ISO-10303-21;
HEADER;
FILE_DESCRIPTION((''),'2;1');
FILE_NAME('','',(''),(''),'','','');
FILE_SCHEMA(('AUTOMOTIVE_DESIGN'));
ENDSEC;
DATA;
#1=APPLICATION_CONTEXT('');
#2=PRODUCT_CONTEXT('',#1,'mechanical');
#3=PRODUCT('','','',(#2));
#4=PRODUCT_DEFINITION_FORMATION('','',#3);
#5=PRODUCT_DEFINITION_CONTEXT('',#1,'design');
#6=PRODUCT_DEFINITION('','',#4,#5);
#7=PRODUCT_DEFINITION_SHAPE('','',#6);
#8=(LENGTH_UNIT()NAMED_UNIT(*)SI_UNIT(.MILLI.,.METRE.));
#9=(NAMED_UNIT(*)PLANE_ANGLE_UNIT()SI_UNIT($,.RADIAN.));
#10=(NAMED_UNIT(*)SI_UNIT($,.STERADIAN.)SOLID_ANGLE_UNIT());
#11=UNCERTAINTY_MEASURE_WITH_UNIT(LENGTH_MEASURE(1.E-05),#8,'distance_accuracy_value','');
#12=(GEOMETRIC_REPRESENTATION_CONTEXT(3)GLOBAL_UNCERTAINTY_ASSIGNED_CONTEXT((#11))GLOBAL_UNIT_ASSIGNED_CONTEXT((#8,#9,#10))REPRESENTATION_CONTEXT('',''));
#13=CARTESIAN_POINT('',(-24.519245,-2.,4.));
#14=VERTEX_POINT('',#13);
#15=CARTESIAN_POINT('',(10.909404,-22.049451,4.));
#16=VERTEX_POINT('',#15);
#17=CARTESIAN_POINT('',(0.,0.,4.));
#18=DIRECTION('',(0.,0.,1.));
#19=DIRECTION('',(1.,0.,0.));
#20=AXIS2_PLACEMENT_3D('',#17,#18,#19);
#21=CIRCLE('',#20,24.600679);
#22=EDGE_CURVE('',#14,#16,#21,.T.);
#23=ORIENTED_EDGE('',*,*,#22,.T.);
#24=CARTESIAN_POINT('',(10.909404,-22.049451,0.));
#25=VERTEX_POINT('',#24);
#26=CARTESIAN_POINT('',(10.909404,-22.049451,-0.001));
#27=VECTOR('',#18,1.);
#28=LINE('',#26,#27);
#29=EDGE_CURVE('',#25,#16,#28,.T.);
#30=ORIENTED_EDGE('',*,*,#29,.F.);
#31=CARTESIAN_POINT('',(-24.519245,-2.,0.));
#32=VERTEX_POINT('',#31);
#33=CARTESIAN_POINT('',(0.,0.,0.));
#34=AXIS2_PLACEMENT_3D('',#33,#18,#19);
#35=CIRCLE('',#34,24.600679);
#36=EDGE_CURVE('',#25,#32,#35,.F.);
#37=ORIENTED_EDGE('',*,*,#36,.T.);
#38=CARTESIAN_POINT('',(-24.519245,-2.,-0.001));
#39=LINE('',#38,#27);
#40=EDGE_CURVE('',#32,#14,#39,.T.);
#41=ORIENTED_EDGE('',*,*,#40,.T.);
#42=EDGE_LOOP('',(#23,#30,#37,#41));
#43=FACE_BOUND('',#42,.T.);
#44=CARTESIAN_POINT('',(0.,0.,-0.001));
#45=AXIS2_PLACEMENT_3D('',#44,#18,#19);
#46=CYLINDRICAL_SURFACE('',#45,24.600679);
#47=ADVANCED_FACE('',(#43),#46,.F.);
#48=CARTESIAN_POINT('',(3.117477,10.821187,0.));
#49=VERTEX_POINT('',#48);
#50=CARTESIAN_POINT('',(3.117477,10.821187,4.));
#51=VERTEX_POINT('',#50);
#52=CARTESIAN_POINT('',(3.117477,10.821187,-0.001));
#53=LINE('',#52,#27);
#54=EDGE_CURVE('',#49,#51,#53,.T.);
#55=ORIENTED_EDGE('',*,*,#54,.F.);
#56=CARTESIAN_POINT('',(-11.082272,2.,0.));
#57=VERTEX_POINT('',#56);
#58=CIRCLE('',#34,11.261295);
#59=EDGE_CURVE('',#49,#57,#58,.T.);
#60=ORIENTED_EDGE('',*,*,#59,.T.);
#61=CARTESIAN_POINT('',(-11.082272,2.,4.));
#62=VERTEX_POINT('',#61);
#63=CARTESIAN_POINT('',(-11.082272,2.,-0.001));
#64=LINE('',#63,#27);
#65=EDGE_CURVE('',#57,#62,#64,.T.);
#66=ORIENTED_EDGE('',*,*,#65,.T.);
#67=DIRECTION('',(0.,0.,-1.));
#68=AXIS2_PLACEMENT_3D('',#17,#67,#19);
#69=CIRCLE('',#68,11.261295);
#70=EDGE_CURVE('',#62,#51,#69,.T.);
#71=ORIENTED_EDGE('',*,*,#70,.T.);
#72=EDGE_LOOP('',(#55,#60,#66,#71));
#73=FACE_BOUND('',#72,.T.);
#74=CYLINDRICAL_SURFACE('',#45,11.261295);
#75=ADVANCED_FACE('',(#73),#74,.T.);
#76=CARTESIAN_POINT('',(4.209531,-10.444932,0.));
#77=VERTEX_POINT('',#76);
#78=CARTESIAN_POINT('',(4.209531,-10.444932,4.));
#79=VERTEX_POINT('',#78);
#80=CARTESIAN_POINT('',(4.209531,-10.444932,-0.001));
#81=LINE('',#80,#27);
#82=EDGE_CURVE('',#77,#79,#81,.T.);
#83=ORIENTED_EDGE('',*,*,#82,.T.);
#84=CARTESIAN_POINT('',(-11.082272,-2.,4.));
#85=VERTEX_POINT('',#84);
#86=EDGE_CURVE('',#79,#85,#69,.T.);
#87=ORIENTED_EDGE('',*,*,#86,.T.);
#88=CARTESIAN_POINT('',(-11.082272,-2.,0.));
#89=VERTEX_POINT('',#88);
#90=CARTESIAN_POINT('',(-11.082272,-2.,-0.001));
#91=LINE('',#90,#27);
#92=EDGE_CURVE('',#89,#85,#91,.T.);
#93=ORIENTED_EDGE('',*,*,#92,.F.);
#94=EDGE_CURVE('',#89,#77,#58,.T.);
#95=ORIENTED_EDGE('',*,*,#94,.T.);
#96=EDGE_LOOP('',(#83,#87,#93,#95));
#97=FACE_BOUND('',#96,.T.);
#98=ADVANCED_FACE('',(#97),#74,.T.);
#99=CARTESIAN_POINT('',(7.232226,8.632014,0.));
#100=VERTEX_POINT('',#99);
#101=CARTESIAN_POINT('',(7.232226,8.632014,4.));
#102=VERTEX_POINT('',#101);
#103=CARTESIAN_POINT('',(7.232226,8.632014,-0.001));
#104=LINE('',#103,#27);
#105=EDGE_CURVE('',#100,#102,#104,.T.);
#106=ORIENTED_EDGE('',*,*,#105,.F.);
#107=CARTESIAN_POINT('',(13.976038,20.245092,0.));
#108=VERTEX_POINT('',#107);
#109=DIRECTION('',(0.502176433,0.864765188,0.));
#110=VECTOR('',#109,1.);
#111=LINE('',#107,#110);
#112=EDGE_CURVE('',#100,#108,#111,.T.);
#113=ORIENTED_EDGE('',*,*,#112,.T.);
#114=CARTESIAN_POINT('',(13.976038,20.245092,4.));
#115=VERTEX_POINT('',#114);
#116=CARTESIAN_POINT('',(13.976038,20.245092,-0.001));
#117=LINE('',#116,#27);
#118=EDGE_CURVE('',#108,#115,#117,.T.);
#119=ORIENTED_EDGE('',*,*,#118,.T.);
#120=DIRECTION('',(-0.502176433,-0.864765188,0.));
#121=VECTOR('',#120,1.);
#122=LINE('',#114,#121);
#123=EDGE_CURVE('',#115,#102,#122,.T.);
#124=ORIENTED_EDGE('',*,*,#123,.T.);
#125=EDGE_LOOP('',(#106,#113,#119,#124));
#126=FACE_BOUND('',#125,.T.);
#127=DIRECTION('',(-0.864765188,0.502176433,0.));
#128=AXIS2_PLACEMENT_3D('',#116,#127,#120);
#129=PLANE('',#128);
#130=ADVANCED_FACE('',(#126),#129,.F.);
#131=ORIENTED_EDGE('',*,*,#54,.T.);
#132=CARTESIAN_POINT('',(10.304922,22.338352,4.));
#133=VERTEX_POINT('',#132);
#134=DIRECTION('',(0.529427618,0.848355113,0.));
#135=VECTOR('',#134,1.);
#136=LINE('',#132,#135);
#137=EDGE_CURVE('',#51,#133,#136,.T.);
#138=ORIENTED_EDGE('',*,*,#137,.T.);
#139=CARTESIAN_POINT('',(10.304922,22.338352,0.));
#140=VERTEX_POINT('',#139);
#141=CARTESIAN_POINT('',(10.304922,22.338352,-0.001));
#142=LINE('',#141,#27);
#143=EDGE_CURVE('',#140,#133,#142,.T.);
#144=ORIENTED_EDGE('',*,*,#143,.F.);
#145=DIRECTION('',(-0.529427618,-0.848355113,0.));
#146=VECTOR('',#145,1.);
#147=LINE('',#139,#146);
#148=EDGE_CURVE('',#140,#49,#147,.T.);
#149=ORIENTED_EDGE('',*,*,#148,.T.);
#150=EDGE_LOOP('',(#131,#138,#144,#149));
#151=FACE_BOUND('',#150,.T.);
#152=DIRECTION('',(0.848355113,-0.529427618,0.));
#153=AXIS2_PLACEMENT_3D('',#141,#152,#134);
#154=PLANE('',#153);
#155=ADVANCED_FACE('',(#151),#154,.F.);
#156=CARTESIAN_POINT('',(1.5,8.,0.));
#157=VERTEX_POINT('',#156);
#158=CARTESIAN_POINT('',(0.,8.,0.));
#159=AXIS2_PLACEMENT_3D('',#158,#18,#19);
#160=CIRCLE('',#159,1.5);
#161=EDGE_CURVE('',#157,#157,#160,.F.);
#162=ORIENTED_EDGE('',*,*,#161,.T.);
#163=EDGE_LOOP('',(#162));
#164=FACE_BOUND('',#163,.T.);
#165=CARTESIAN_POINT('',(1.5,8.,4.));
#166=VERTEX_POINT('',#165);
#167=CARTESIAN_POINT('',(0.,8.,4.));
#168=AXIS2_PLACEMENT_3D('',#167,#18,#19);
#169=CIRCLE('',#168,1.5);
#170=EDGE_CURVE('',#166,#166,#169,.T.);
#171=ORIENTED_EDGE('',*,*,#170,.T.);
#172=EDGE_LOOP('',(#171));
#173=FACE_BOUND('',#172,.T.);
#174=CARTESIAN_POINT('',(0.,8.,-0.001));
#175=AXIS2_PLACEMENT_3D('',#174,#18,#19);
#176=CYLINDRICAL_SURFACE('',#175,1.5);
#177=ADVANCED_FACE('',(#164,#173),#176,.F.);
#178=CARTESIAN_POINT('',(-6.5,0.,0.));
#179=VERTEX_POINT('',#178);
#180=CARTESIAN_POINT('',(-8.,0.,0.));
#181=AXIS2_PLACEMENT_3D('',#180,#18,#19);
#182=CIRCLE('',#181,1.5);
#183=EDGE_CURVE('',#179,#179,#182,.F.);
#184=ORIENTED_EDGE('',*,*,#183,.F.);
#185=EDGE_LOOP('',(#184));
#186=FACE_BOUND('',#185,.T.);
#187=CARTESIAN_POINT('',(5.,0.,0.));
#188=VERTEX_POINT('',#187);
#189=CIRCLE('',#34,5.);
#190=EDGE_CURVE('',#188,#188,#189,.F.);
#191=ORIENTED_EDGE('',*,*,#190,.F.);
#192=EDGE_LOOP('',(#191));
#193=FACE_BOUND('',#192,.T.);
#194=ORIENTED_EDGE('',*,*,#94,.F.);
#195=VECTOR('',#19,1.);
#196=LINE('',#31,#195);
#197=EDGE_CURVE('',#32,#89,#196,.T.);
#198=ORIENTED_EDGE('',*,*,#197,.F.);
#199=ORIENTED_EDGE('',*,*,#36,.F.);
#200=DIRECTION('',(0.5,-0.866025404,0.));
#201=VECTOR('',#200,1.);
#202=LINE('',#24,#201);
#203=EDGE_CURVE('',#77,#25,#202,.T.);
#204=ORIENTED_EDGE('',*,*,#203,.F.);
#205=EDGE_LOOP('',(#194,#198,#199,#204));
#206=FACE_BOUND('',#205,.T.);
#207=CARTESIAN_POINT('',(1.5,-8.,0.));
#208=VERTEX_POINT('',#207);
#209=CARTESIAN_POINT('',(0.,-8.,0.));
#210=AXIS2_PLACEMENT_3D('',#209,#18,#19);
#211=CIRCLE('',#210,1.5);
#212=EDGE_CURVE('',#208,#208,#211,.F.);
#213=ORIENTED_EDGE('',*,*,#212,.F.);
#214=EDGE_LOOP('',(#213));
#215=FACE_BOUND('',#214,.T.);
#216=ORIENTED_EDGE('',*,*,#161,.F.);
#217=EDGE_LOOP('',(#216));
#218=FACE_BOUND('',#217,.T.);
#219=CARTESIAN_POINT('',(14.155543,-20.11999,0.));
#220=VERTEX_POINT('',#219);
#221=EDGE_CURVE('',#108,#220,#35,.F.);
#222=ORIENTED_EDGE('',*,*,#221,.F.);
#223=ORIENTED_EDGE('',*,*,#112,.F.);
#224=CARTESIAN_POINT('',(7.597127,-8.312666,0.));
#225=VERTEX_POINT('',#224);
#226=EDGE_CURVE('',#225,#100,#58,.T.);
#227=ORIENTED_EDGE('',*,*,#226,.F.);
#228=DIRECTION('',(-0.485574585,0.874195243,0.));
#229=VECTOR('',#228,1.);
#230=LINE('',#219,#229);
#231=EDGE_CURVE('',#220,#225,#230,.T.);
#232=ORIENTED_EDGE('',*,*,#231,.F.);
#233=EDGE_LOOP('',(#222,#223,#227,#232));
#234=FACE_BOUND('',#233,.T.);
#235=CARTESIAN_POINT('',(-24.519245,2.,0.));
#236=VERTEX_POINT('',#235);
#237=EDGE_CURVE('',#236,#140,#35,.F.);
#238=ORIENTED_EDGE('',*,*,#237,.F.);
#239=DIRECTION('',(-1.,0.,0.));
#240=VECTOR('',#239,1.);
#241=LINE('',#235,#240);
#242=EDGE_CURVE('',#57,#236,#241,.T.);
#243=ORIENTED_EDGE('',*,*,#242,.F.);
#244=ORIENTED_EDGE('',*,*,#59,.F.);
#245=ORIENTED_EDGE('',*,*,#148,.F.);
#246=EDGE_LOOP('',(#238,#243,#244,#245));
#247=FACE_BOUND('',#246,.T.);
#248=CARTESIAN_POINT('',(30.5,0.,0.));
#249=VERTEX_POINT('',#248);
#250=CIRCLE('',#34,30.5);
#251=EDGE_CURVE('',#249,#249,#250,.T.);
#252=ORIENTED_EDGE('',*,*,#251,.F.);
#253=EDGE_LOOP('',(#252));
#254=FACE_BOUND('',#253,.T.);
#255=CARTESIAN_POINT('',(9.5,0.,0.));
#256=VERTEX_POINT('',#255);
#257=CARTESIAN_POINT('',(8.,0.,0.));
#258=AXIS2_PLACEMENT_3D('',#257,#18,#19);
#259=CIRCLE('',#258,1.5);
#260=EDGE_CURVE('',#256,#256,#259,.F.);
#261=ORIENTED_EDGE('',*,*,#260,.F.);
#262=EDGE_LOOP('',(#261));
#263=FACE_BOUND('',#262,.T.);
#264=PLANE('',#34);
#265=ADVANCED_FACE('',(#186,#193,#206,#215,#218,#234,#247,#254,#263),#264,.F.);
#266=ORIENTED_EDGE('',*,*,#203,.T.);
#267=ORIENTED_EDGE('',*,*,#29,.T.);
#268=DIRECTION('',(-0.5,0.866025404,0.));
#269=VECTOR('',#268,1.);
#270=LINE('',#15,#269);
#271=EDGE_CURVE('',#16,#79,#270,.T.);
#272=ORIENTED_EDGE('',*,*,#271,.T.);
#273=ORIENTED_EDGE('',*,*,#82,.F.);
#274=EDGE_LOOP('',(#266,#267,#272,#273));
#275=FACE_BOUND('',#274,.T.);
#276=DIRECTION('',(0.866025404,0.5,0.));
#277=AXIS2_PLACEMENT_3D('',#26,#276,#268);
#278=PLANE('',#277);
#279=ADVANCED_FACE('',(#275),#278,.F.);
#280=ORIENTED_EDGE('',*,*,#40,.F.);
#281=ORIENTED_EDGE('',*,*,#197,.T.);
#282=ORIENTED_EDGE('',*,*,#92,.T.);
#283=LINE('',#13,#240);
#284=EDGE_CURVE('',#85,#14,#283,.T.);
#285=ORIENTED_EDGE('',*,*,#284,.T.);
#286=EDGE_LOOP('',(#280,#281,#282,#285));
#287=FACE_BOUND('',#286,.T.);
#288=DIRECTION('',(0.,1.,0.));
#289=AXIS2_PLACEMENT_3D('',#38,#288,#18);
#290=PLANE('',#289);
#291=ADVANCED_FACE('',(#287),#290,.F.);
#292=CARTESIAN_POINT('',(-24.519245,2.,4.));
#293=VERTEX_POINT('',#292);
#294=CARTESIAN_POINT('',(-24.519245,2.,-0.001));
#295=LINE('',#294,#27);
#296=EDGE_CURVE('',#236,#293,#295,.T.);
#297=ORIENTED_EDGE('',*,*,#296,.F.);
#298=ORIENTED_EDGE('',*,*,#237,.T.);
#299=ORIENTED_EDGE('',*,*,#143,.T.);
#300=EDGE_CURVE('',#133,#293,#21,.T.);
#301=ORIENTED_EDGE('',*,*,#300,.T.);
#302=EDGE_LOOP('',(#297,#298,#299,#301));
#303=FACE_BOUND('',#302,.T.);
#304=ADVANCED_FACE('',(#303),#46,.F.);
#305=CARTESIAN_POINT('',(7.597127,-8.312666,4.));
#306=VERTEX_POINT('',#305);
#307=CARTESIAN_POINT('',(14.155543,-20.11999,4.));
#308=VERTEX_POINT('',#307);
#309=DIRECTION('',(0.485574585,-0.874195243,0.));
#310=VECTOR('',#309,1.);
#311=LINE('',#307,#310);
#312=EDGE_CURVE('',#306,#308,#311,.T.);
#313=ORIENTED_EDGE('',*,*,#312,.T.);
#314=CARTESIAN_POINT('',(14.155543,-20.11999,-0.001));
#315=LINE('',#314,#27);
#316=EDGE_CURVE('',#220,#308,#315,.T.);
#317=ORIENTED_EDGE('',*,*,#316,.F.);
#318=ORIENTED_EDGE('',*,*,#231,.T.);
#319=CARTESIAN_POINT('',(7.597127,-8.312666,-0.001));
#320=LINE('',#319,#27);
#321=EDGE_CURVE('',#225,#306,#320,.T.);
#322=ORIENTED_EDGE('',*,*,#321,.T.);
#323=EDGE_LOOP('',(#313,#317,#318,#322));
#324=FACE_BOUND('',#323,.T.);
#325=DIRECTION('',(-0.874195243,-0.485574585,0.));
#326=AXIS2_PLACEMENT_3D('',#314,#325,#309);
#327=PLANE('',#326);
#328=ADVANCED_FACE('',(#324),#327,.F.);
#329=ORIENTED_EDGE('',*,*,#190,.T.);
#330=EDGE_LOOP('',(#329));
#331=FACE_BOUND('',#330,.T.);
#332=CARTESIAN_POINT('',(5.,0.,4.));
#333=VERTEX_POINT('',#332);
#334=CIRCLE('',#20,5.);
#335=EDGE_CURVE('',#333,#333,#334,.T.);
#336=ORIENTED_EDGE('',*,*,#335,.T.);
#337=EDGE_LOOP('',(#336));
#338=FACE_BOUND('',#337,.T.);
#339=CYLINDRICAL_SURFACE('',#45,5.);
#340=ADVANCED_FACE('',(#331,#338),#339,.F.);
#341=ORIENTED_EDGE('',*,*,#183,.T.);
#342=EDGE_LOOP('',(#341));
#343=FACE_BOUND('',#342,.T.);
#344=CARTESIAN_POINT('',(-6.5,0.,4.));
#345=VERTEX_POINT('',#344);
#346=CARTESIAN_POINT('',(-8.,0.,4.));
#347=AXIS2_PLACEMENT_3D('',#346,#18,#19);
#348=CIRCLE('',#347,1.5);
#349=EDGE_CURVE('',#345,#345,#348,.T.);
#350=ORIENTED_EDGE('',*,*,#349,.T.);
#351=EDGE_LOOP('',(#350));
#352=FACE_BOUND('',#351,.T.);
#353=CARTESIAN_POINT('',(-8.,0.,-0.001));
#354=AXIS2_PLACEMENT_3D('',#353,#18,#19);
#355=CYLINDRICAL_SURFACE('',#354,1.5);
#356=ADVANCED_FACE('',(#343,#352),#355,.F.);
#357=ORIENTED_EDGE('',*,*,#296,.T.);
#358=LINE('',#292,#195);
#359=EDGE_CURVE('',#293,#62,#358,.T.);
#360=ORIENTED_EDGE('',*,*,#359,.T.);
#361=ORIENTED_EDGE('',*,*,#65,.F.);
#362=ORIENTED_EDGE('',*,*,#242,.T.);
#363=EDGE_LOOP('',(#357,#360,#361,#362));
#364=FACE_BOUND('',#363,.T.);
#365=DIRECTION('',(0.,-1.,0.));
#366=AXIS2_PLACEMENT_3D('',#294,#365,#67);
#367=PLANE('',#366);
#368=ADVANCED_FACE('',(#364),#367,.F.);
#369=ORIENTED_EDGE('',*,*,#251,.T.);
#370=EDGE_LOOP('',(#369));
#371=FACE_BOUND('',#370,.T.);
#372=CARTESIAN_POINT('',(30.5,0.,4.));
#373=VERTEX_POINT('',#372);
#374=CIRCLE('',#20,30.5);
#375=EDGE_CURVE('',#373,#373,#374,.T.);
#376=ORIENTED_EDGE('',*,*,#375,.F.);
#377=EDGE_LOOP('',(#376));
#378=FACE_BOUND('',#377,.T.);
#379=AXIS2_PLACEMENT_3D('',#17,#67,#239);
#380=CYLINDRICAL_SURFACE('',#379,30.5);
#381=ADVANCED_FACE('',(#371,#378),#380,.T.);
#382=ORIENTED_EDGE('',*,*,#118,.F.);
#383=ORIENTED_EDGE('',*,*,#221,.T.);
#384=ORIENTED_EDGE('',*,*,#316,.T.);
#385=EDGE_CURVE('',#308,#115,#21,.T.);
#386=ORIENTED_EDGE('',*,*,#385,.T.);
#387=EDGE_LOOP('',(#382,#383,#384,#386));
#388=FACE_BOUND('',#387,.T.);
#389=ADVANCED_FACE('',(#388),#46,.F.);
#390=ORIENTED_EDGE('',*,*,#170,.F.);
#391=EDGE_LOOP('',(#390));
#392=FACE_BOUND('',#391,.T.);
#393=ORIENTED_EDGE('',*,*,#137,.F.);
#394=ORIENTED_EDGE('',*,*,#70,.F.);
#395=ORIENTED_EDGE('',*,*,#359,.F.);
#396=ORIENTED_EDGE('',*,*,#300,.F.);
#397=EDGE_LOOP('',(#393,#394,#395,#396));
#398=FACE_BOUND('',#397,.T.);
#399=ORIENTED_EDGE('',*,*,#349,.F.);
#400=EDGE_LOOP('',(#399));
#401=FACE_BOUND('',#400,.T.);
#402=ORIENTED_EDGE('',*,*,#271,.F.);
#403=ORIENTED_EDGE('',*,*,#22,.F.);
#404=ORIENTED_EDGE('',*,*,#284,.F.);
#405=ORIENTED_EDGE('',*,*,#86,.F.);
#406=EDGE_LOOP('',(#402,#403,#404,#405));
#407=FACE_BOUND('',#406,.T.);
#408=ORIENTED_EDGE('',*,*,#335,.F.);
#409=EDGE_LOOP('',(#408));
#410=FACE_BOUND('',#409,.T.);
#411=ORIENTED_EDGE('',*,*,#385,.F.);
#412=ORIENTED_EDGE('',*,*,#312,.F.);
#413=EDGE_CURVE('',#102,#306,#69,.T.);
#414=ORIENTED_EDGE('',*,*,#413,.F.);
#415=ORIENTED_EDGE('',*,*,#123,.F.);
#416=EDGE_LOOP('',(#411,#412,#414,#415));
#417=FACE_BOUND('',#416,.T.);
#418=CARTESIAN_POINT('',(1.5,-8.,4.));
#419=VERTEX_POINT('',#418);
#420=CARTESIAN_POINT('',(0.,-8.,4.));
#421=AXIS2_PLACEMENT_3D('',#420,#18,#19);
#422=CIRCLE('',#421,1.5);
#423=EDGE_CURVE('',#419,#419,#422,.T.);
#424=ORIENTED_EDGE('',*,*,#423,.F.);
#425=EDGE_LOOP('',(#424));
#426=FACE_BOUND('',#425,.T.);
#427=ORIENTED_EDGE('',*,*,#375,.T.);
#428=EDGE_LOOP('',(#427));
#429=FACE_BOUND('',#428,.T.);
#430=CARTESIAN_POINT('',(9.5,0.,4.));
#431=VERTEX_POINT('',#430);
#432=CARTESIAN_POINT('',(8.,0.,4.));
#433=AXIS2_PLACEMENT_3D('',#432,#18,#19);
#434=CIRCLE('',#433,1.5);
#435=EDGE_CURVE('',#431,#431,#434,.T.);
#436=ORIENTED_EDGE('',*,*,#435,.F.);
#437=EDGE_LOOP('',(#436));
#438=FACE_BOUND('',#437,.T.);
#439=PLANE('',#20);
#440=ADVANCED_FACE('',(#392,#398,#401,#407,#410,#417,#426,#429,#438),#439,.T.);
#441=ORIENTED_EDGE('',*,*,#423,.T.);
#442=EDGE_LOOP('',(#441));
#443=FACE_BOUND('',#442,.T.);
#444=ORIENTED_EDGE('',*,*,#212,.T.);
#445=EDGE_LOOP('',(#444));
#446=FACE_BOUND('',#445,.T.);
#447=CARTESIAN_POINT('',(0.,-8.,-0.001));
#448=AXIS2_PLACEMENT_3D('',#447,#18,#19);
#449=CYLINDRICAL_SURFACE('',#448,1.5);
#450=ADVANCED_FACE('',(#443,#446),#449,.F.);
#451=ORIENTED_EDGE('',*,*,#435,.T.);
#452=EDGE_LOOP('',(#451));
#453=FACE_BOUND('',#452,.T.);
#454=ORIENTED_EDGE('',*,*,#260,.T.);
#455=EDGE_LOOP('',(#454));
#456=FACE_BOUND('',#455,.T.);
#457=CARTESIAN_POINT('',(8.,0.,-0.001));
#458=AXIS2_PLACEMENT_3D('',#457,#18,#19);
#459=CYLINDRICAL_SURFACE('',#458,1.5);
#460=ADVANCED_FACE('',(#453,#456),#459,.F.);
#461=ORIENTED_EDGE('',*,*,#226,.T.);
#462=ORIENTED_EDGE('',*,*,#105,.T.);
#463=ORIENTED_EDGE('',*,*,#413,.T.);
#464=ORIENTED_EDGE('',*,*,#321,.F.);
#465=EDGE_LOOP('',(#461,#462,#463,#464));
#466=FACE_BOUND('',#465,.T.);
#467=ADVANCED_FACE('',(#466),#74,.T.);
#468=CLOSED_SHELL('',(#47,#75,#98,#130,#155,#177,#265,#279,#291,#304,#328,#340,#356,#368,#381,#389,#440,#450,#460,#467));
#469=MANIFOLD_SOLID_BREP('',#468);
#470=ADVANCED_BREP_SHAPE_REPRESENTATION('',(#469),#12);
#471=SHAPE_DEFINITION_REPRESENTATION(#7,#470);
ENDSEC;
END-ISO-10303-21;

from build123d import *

# Parameters (mm, degrees)
SKETCH_1_R          = 30.5
EXTRUDE_1_DEPTH     = 4
CUT_EXTRUDE_1_REACH = 6
SKETCH_2_R          = 5
SKETCH_2_R_2        = 1.5


with BuildPart() as part:
    # 草图1 → 凸台-拉伸1 (new body)
    with BuildSketch(Plane.XY):
        Circle(SKETCH_1_R)
    extrude(amount=EXTRUDE_1_DEPTH)

    # 草图2 → 切除-拉伸1 (cut, up to next)
    with BuildSketch(Plane.XY.offset(4), mode=Mode.PRIVATE) as cut_extrude_1_sk1:
        Circle(SKETCH_2_R)
    cut_extrude_1_tool1 = extrude(cut_extrude_1_sk1.sketch, amount=-CUT_EXTRUDE_1_REACH, mode=Mode.PRIVATE) & part.part
    add(cut_extrude_1_tool1.solids().sort_by_distance((0, 0, 4))[0], mode=Mode.SUBTRACT)
    # 草图2 → 切除-拉伸1 (cut, up to next)
    with BuildSketch(Plane.XY.offset(4), mode=Mode.PRIVATE) as cut_extrude_1_sk2:
        with Locations((-8, 0)):
            Circle(SKETCH_2_R_2)
    cut_extrude_1_tool2 = extrude(cut_extrude_1_sk2.sketch, amount=-CUT_EXTRUDE_1_REACH, mode=Mode.PRIVATE) & part.part
    add(cut_extrude_1_tool2.solids().sort_by_distance((-8, 0, 4))[0], mode=Mode.SUBTRACT)
    # 草图2 → 切除-拉伸1 (cut, up to next)
    with BuildSketch(Plane.XY.offset(4), mode=Mode.PRIVATE) as cut_extrude_1_sk3:
        with Locations((0, 8)):
            Circle(SKETCH_2_R_2)
    cut_extrude_1_tool3 = extrude(cut_extrude_1_sk3.sketch, amount=-CUT_EXTRUDE_1_REACH, mode=Mode.PRIVATE) & part.part
    add(cut_extrude_1_tool3.solids().sort_by_distance((0, 8, 4))[0], mode=Mode.SUBTRACT)
    # 草图2 → 切除-拉伸1 (cut, up to next)
    with BuildSketch(Plane.XY.offset(4), mode=Mode.PRIVATE) as cut_extrude_1_sk4:
        with Locations((8, 0)):
            Circle(SKETCH_2_R_2)
    cut_extrude_1_tool4 = extrude(cut_extrude_1_sk4.sketch, amount=-CUT_EXTRUDE_1_REACH, mode=Mode.PRIVATE) & part.part
    add(cut_extrude_1_tool4.solids().sort_by_distance((8, 0, 4))[0], mode=Mode.SUBTRACT)
    # 草图2 → 切除-拉伸1 (cut, up to next)
    with BuildSketch(Plane.XY.offset(4), mode=Mode.PRIVATE) as cut_extrude_1_sk5:
        with Locations((0, -8)):
            Circle(SKETCH_2_R_2)
    cut_extrude_1_tool5 = extrude(cut_extrude_1_sk5.sketch, amount=-CUT_EXTRUDE_1_REACH, mode=Mode.PRIVATE) & part.part
    add(cut_extrude_1_tool5.solids().sort_by_distance((0, -8, 4))[0], mode=Mode.SUBTRACT)
    # 草图2 → 切除-拉伸1 (cut, up to next)
    with BuildSketch(Plane.XY.offset(4), mode=Mode.PRIVATE) as cut_extrude_1_sk6:
        with BuildLine():
            Line((-24.519245453, -2), (-11.082272055, -2))
            ThreePointArc((-11.082272055, -2), (-5.44406657, -9.857935539), (4.209531065, -10.444931887))
            Line((4.209531065, -10.444931887), (10.909403583, -22.049451491))
            ThreePointArc((10.909403583, -22.049451491), (-12.116190623, -21.410075254), (-24.519245453, -2))
        make_face()
    cut_extrude_1_tool6 = extrude(cut_extrude_1_sk6.sketch, amount=-CUT_EXTRUDE_1_REACH, mode=Mode.PRIVATE) & part.part
    add(cut_extrude_1_tool6.solids().sort_by_distance((-7.903429, -14.053546, 4))[0], mode=Mode.SUBTRACT)
    # 草图2 → 切除-拉伸1 (cut, up to next)
    with BuildSketch(Plane.XY.offset(4), mode=Mode.PRIVATE) as cut_extrude_1_sk7:
        with BuildLine():
            Line((-24.519245453, 2), (-11.082272055, 2))
            ThreePointArc((-11.082272055, 2), (-5.942459521, 9.565768592), (3.117477103, 10.821187108))
            Line((3.117477103, 10.821187108), (10.304921695, 22.338352367))
            ThreePointArc((10.304921695, 22.338352367), (-12.406606878, 21.243104843), (-24.519245453, 2))
        make_face()
    cut_extrude_1_tool7 = extrude(cut_extrude_1_sk7.sketch, amount=-CUT_EXTRUDE_1_REACH, mode=Mode.PRIVATE) & part.part
    add(cut_extrude_1_tool7.solids().sort_by_distance((-8.308104, 14.002241, 4))[0], mode=Mode.SUBTRACT)
    # 草图2 → 切除-拉伸1 (cut, up to next)
    with BuildSketch(Plane.XY.offset(4), mode=Mode.PRIVATE) as cut_extrude_1_sk8:
        with BuildLine():
            Line((14.155543142, -20.119989959), (7.597126799, -8.312666138))
            ThreePointArc((7.597126799, -8.312666138), (11.258684205, 0.242453893), (7.232225933, 8.632013784))
            Line((7.232225933, 8.632013784), (13.976038331, 20.245092002))
            ThreePointArc((13.976038331, 20.245092002), (24.600435555, 0.109398924), (14.155543142, -20.119989959))
        make_face()
    cut_extrude_1_tool8 = extrude(cut_extrude_1_sk8.sketch, amount=-CUT_EXTRUDE_1_REACH, mode=Mode.PRIVATE) & part.part
    add(cut_extrude_1_tool8.solids().sort_by_distance((16.242658, 0.143003, 4))[0], mode=Mode.SUBTRACT)


solid = part.part
